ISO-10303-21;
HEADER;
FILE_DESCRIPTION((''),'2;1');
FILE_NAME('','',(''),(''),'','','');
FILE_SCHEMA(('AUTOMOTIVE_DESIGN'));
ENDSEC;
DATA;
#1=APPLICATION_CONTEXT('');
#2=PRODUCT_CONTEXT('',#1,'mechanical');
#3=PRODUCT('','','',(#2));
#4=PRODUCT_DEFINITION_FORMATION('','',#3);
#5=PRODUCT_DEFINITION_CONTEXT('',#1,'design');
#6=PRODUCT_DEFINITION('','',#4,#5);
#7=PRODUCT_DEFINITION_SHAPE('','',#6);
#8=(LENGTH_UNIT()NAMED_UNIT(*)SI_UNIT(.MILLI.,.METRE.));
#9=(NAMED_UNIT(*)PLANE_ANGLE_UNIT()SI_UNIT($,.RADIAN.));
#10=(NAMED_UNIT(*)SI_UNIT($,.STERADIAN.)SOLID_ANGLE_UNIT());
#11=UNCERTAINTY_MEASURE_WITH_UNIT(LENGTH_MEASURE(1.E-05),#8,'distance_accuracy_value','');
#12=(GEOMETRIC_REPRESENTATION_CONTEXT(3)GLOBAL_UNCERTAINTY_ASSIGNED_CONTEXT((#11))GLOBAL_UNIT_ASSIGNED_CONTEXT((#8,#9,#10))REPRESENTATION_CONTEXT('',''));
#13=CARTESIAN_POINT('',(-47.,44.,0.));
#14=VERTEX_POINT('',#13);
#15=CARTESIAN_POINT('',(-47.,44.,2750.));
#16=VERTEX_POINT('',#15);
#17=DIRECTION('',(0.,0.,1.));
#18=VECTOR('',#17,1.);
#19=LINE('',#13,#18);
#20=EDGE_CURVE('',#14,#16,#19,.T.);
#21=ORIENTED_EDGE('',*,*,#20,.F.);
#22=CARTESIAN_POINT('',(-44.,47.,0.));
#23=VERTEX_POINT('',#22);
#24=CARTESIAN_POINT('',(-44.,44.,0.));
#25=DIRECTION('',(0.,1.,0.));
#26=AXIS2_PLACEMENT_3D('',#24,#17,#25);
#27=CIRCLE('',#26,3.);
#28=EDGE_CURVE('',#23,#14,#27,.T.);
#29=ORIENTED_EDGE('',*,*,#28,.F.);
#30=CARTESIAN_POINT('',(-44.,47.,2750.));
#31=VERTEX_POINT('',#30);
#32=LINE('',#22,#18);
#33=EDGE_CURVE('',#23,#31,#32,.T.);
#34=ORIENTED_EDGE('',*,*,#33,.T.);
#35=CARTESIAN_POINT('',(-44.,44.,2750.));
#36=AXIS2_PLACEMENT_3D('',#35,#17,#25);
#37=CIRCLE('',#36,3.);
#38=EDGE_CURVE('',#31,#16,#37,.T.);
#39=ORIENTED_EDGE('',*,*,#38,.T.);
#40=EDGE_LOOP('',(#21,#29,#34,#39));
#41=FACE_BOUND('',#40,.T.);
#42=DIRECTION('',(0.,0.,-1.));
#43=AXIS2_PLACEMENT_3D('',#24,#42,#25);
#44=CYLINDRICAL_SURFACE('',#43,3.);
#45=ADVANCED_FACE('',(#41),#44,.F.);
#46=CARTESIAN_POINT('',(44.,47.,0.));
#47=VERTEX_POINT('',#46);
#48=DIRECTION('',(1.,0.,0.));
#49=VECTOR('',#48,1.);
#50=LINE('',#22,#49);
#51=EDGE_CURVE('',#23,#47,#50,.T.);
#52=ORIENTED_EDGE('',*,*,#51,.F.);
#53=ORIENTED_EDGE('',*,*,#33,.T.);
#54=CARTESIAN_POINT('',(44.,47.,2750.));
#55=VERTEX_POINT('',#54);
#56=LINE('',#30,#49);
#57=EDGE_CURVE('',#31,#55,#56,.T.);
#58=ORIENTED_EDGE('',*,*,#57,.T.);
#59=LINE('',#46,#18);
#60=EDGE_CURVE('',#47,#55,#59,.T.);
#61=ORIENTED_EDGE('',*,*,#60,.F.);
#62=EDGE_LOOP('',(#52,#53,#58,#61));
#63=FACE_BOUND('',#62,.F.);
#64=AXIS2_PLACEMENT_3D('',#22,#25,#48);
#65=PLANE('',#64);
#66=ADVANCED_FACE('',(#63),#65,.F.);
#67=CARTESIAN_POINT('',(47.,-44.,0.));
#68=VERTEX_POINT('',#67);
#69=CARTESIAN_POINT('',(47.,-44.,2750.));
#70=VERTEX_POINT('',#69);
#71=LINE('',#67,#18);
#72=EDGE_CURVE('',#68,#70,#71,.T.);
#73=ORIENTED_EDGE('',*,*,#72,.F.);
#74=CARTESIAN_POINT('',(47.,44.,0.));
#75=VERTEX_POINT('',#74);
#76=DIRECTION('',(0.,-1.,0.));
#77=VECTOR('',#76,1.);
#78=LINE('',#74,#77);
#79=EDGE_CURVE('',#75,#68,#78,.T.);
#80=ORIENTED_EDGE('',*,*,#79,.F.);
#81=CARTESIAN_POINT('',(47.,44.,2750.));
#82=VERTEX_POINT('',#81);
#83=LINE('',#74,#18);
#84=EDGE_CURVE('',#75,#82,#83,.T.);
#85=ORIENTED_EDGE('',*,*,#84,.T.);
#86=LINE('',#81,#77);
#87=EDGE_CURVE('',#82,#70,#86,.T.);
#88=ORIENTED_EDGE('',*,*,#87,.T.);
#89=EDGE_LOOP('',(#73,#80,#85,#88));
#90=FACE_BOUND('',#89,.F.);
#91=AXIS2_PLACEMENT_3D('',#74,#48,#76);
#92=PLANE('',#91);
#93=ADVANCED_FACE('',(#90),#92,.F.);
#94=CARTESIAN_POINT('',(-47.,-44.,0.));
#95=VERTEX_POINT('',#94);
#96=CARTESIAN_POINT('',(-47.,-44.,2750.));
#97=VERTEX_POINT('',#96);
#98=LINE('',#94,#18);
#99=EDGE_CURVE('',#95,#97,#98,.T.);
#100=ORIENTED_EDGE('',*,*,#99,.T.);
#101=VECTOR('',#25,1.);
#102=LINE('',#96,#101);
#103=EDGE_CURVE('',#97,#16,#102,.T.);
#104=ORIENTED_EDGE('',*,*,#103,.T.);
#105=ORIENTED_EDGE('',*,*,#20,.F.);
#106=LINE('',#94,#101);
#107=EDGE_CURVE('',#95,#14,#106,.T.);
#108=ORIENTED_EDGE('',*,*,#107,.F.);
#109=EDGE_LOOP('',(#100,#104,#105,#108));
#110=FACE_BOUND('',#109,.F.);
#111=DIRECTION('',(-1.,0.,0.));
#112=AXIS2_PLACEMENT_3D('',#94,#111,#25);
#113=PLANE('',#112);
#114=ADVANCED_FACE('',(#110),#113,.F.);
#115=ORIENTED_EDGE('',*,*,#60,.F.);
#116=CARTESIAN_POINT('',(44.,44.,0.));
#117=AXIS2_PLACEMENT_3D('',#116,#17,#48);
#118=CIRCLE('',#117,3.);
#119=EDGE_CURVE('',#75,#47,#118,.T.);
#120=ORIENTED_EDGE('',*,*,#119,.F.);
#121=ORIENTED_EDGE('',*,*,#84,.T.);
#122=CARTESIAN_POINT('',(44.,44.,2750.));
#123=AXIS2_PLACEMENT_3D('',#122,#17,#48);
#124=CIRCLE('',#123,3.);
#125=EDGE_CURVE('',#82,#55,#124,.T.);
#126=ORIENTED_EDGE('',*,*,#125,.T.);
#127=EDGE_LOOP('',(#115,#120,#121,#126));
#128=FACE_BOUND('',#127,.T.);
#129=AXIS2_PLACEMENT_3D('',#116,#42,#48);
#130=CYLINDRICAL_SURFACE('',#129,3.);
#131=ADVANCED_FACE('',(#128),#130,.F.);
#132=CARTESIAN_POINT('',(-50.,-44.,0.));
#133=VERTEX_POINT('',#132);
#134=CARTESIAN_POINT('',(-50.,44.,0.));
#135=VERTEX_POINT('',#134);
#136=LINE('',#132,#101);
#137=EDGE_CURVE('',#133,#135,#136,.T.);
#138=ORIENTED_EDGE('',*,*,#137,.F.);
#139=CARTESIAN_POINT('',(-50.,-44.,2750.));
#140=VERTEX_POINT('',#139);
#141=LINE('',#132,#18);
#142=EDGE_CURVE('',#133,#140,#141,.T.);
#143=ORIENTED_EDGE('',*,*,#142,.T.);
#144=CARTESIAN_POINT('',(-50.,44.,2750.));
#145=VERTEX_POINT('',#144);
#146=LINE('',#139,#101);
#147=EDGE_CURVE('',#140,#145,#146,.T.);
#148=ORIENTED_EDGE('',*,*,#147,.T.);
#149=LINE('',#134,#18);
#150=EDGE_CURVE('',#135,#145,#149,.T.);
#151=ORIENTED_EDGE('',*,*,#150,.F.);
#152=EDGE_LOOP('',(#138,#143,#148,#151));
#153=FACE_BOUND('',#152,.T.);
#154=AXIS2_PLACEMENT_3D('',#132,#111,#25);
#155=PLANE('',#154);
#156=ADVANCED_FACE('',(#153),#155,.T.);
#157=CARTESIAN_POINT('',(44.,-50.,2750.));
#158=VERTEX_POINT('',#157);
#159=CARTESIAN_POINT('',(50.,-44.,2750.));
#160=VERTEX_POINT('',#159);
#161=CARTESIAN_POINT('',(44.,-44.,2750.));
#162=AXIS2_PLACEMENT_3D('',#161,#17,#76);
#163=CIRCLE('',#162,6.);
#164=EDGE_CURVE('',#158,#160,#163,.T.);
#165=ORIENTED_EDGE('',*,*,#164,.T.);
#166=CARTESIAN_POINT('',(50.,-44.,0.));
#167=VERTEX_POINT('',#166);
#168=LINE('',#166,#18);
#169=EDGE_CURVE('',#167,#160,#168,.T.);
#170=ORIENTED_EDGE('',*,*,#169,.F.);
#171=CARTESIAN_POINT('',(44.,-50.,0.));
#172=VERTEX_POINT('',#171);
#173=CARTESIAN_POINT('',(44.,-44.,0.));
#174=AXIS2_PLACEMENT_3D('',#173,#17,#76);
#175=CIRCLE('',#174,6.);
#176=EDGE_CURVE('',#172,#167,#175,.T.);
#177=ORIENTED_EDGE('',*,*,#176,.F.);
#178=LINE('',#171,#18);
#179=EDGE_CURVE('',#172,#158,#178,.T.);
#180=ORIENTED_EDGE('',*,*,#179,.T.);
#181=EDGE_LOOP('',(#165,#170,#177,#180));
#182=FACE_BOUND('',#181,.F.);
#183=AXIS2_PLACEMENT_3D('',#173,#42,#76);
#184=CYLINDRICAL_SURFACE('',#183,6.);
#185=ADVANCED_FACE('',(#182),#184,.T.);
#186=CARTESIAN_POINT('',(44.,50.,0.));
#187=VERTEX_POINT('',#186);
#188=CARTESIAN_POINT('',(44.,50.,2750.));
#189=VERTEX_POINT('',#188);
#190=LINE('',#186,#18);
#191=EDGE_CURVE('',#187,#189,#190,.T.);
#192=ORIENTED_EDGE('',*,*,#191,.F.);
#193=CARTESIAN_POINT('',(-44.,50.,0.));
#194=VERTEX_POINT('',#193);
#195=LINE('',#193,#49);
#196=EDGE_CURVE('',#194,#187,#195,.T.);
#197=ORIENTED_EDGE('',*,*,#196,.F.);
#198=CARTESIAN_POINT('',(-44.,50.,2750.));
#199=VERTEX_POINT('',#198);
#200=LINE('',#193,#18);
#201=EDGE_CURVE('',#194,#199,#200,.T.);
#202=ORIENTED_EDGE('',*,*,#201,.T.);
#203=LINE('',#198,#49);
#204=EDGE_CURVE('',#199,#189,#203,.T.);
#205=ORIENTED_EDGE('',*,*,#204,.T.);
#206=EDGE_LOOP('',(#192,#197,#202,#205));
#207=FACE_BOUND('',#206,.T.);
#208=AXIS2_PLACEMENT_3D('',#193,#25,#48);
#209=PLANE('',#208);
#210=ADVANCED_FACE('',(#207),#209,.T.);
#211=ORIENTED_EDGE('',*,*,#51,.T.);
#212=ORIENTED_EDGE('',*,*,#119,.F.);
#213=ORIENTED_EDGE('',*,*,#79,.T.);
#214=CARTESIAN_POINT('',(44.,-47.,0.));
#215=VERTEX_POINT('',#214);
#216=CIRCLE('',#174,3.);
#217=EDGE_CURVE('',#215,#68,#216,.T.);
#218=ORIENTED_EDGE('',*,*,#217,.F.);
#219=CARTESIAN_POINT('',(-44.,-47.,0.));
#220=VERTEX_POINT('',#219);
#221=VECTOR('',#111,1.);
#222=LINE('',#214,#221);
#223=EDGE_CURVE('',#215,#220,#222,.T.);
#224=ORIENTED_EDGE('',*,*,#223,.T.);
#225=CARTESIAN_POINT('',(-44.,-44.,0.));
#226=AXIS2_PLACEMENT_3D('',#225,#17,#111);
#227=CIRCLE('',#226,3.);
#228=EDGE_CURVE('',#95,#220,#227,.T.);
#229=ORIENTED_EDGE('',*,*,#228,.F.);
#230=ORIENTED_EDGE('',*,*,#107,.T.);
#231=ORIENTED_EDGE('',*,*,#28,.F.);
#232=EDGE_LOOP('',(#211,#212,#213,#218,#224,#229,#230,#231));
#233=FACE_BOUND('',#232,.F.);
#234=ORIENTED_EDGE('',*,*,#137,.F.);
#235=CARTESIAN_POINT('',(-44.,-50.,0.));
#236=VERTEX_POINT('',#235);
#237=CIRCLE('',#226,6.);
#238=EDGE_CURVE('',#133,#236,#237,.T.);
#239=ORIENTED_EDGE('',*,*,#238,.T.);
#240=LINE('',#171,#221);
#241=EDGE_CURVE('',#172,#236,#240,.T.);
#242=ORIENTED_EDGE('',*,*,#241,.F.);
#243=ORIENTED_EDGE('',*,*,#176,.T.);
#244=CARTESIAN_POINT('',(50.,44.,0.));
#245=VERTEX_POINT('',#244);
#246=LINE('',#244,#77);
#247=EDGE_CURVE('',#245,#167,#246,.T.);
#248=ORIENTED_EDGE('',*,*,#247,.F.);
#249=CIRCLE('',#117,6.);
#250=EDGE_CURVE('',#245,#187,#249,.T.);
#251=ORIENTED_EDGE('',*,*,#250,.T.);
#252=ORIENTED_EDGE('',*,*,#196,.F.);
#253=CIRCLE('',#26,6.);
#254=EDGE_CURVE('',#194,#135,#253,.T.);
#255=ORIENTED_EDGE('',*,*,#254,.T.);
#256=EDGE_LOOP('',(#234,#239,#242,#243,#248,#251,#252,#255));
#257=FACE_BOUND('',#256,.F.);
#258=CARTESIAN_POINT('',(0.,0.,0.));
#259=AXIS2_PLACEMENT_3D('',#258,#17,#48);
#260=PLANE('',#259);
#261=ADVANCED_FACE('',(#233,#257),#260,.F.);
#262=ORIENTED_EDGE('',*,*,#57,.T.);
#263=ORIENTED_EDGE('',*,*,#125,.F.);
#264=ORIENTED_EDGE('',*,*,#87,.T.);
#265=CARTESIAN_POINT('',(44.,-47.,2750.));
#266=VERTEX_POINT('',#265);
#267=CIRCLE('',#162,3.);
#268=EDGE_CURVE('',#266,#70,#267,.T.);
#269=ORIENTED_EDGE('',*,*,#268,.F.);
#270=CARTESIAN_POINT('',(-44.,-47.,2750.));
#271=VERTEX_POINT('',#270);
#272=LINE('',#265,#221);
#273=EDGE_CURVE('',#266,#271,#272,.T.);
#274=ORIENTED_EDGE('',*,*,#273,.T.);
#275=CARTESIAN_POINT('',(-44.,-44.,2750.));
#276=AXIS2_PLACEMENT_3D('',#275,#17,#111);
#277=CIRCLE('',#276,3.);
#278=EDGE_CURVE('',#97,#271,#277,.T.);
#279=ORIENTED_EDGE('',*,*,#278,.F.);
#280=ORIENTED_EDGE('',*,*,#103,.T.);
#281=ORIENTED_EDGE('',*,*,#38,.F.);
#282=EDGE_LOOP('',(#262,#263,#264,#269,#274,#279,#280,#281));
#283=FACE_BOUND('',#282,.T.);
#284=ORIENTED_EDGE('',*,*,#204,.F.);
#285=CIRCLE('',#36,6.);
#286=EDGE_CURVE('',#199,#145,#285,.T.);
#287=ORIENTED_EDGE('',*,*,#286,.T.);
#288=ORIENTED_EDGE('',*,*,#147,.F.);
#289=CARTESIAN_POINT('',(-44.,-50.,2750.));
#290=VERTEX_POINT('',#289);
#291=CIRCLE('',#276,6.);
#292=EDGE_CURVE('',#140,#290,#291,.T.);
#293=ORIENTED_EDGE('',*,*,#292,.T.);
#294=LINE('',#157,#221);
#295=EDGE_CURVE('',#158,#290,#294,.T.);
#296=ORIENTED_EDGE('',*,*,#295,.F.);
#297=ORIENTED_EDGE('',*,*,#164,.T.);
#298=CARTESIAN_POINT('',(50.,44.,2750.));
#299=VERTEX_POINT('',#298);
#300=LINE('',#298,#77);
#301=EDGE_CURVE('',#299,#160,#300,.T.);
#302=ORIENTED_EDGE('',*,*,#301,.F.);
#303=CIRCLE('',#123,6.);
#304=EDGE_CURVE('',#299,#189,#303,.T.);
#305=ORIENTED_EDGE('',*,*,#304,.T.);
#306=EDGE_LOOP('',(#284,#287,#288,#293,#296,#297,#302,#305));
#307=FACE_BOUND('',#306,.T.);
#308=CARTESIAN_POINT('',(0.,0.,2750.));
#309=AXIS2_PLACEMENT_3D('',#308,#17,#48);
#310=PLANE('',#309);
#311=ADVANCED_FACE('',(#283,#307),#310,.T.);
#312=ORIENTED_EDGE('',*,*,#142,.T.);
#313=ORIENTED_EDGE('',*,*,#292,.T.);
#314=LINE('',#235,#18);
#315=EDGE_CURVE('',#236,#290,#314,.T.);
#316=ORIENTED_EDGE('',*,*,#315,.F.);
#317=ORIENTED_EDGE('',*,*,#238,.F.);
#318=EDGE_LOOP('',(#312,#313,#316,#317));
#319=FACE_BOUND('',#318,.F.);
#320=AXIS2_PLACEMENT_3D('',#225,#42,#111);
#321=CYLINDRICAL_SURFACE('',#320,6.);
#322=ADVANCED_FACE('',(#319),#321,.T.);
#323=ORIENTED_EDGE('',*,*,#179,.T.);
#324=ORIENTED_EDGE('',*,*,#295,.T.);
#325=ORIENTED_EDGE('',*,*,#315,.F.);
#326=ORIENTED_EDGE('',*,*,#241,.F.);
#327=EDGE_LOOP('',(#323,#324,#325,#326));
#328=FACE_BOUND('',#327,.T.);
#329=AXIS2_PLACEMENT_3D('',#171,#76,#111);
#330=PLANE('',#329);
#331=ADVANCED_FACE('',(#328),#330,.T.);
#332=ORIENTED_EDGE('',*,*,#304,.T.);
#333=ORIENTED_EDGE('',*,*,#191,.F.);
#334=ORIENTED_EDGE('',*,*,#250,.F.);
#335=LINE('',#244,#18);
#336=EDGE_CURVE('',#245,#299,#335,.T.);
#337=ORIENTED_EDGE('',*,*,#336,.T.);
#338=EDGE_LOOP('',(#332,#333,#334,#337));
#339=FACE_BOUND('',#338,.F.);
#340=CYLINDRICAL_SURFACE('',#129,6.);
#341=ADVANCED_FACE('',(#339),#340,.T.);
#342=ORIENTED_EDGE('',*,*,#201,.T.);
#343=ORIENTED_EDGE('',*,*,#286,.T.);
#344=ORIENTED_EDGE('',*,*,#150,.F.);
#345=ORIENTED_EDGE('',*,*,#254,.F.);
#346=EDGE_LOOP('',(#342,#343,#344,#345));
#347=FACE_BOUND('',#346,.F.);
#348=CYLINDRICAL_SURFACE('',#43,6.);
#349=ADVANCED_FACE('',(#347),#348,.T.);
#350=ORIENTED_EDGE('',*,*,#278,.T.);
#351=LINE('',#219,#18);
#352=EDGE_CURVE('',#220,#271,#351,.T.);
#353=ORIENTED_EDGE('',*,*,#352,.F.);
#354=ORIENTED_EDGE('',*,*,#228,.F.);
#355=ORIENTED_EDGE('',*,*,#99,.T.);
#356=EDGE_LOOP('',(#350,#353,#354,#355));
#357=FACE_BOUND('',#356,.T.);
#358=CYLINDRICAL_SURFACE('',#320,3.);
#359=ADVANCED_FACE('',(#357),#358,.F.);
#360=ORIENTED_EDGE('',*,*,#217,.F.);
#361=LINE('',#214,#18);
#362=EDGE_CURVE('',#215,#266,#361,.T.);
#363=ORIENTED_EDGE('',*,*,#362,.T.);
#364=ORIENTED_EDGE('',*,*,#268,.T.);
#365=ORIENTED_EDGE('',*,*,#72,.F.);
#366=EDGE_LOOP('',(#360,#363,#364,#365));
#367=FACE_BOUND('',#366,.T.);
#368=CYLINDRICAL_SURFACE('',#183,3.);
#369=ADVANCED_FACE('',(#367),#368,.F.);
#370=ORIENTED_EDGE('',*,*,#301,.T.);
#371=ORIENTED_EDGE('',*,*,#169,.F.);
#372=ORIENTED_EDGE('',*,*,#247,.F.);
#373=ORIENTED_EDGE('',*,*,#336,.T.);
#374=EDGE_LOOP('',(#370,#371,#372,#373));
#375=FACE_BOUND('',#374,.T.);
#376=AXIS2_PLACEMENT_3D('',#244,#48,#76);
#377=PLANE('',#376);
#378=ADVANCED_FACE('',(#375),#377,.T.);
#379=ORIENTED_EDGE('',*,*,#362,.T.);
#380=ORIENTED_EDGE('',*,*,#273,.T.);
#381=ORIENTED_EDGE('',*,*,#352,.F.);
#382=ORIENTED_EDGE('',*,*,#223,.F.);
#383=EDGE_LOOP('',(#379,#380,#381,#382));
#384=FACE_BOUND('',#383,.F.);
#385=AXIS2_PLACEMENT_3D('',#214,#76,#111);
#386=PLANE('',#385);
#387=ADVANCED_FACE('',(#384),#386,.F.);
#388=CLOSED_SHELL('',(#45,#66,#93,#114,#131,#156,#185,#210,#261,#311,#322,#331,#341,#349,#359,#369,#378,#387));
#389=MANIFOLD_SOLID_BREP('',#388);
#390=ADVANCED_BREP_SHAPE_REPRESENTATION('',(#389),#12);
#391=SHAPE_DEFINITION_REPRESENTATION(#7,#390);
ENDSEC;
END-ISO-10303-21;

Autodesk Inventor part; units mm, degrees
ref_plane "YZ Plane" through (0, 0, 0) normal (1, 0, 0) x (0, 1, 0)
ref_plane "Start plane" through (0, 0, 0) normal (0, 0, 1) x (1, 0, 0)
ref_plane "End plane" through (0, 0, 2750) normal (0, 0, 1) x (1, 0, 0)
sketch "Sketch" plane through (0, 0, 0) normal (0, 0, 1) x (1, 0, 0)
  line L0 (-50, -44) -> (-50, 44)
  line L1 (-44, 50) -> (44, 50)
  line L2 (50, 44) -> (50, -44)
  line L3 (44, -50) -> (-44, -50)
  arc A0 (-50, -44) -> (-44, -50) centre (-44, -44) ccw
  arc A1 (50, 44) -> (44, 50) centre (44, 44) ccw
  arc A2 (-44, 50) -> (-50, 44) centre (-44, 44) ccw
  arc A3 (44, -50) -> (50, -44) centre (44, -44) ccw
  arc A4 (-44, 47) -> (-47, 44) centre (-44, 44) ccw
  line L4 (-44, 47) -> (44, 47)
  arc A5 (47, 44) -> (44, 47) centre (44, 44) ccw
  line L5 (47, 44) -> (47, -44)
  arc A6 (44, -47) -> (47, -44) centre (44, -44) ccw
  line L6 (44, -47) -> (-44, -47)
  arc A7 (-47, -44) -> (-44, -47) centre (-44, -44) ccw
  line L7 (-47, -44) -> (-47, 44)
  line L8 (0, 71.7397) -> (0, -71.7397) construction
  line L9 (-71.7397, 0) -> (71.7397, 0) construction
  dimension "d7" = 6
  dimension "d9" = 100
  dimension "d11" = 100
  dimension "d12" = 3
  dimension "d15" = 50
  dimension "d16" = 50
extrude "Body" add sketch "Sketch" along normal up to surface (2750 mm away) from surface at 0
sketch "Sketch3" plane through (0, 0, 0) normal (0, 0, 1) x (1, 0, 0)
  line L0 (0, 0) -> (10, 0)
ref_plane "Work Plane3" through (0, 0, 0) normal (0, -1, 0) x (1, 0, 0)
sketch "Sketch4" plane through (0, 0, 0) normal (0, -1, 0) x (1, 0, 0)
  line L0 (-2, 0) -> (12, 0) projected
  line L1 (-2, 2750) -> (12, 2750) projected
  dimension "d18" = 2750
equation "\"d7\" = G_IR"
equation "\"d9\" = G_W"
equation "\"d11\" = G_H"
equation "\"d12\" = G_T"
equation "\"d15\" = 0.5 * d9"
equation "\"d16\" = 0.5 * d11"
equation "\"d3\" = G_L"
equation "\"G_W\" = 100"
equation "\"G_H\" = 100"
equation "\"G_T\" = 3"
equation "\"G_IR\" = 6"
equation "\"G_L\" = d18"
equation "\"G_OFFSET_START\" = 0"
properties part number "ISO 10799-2 - 100x100x3 - 2750" material "Steel, Mild"
